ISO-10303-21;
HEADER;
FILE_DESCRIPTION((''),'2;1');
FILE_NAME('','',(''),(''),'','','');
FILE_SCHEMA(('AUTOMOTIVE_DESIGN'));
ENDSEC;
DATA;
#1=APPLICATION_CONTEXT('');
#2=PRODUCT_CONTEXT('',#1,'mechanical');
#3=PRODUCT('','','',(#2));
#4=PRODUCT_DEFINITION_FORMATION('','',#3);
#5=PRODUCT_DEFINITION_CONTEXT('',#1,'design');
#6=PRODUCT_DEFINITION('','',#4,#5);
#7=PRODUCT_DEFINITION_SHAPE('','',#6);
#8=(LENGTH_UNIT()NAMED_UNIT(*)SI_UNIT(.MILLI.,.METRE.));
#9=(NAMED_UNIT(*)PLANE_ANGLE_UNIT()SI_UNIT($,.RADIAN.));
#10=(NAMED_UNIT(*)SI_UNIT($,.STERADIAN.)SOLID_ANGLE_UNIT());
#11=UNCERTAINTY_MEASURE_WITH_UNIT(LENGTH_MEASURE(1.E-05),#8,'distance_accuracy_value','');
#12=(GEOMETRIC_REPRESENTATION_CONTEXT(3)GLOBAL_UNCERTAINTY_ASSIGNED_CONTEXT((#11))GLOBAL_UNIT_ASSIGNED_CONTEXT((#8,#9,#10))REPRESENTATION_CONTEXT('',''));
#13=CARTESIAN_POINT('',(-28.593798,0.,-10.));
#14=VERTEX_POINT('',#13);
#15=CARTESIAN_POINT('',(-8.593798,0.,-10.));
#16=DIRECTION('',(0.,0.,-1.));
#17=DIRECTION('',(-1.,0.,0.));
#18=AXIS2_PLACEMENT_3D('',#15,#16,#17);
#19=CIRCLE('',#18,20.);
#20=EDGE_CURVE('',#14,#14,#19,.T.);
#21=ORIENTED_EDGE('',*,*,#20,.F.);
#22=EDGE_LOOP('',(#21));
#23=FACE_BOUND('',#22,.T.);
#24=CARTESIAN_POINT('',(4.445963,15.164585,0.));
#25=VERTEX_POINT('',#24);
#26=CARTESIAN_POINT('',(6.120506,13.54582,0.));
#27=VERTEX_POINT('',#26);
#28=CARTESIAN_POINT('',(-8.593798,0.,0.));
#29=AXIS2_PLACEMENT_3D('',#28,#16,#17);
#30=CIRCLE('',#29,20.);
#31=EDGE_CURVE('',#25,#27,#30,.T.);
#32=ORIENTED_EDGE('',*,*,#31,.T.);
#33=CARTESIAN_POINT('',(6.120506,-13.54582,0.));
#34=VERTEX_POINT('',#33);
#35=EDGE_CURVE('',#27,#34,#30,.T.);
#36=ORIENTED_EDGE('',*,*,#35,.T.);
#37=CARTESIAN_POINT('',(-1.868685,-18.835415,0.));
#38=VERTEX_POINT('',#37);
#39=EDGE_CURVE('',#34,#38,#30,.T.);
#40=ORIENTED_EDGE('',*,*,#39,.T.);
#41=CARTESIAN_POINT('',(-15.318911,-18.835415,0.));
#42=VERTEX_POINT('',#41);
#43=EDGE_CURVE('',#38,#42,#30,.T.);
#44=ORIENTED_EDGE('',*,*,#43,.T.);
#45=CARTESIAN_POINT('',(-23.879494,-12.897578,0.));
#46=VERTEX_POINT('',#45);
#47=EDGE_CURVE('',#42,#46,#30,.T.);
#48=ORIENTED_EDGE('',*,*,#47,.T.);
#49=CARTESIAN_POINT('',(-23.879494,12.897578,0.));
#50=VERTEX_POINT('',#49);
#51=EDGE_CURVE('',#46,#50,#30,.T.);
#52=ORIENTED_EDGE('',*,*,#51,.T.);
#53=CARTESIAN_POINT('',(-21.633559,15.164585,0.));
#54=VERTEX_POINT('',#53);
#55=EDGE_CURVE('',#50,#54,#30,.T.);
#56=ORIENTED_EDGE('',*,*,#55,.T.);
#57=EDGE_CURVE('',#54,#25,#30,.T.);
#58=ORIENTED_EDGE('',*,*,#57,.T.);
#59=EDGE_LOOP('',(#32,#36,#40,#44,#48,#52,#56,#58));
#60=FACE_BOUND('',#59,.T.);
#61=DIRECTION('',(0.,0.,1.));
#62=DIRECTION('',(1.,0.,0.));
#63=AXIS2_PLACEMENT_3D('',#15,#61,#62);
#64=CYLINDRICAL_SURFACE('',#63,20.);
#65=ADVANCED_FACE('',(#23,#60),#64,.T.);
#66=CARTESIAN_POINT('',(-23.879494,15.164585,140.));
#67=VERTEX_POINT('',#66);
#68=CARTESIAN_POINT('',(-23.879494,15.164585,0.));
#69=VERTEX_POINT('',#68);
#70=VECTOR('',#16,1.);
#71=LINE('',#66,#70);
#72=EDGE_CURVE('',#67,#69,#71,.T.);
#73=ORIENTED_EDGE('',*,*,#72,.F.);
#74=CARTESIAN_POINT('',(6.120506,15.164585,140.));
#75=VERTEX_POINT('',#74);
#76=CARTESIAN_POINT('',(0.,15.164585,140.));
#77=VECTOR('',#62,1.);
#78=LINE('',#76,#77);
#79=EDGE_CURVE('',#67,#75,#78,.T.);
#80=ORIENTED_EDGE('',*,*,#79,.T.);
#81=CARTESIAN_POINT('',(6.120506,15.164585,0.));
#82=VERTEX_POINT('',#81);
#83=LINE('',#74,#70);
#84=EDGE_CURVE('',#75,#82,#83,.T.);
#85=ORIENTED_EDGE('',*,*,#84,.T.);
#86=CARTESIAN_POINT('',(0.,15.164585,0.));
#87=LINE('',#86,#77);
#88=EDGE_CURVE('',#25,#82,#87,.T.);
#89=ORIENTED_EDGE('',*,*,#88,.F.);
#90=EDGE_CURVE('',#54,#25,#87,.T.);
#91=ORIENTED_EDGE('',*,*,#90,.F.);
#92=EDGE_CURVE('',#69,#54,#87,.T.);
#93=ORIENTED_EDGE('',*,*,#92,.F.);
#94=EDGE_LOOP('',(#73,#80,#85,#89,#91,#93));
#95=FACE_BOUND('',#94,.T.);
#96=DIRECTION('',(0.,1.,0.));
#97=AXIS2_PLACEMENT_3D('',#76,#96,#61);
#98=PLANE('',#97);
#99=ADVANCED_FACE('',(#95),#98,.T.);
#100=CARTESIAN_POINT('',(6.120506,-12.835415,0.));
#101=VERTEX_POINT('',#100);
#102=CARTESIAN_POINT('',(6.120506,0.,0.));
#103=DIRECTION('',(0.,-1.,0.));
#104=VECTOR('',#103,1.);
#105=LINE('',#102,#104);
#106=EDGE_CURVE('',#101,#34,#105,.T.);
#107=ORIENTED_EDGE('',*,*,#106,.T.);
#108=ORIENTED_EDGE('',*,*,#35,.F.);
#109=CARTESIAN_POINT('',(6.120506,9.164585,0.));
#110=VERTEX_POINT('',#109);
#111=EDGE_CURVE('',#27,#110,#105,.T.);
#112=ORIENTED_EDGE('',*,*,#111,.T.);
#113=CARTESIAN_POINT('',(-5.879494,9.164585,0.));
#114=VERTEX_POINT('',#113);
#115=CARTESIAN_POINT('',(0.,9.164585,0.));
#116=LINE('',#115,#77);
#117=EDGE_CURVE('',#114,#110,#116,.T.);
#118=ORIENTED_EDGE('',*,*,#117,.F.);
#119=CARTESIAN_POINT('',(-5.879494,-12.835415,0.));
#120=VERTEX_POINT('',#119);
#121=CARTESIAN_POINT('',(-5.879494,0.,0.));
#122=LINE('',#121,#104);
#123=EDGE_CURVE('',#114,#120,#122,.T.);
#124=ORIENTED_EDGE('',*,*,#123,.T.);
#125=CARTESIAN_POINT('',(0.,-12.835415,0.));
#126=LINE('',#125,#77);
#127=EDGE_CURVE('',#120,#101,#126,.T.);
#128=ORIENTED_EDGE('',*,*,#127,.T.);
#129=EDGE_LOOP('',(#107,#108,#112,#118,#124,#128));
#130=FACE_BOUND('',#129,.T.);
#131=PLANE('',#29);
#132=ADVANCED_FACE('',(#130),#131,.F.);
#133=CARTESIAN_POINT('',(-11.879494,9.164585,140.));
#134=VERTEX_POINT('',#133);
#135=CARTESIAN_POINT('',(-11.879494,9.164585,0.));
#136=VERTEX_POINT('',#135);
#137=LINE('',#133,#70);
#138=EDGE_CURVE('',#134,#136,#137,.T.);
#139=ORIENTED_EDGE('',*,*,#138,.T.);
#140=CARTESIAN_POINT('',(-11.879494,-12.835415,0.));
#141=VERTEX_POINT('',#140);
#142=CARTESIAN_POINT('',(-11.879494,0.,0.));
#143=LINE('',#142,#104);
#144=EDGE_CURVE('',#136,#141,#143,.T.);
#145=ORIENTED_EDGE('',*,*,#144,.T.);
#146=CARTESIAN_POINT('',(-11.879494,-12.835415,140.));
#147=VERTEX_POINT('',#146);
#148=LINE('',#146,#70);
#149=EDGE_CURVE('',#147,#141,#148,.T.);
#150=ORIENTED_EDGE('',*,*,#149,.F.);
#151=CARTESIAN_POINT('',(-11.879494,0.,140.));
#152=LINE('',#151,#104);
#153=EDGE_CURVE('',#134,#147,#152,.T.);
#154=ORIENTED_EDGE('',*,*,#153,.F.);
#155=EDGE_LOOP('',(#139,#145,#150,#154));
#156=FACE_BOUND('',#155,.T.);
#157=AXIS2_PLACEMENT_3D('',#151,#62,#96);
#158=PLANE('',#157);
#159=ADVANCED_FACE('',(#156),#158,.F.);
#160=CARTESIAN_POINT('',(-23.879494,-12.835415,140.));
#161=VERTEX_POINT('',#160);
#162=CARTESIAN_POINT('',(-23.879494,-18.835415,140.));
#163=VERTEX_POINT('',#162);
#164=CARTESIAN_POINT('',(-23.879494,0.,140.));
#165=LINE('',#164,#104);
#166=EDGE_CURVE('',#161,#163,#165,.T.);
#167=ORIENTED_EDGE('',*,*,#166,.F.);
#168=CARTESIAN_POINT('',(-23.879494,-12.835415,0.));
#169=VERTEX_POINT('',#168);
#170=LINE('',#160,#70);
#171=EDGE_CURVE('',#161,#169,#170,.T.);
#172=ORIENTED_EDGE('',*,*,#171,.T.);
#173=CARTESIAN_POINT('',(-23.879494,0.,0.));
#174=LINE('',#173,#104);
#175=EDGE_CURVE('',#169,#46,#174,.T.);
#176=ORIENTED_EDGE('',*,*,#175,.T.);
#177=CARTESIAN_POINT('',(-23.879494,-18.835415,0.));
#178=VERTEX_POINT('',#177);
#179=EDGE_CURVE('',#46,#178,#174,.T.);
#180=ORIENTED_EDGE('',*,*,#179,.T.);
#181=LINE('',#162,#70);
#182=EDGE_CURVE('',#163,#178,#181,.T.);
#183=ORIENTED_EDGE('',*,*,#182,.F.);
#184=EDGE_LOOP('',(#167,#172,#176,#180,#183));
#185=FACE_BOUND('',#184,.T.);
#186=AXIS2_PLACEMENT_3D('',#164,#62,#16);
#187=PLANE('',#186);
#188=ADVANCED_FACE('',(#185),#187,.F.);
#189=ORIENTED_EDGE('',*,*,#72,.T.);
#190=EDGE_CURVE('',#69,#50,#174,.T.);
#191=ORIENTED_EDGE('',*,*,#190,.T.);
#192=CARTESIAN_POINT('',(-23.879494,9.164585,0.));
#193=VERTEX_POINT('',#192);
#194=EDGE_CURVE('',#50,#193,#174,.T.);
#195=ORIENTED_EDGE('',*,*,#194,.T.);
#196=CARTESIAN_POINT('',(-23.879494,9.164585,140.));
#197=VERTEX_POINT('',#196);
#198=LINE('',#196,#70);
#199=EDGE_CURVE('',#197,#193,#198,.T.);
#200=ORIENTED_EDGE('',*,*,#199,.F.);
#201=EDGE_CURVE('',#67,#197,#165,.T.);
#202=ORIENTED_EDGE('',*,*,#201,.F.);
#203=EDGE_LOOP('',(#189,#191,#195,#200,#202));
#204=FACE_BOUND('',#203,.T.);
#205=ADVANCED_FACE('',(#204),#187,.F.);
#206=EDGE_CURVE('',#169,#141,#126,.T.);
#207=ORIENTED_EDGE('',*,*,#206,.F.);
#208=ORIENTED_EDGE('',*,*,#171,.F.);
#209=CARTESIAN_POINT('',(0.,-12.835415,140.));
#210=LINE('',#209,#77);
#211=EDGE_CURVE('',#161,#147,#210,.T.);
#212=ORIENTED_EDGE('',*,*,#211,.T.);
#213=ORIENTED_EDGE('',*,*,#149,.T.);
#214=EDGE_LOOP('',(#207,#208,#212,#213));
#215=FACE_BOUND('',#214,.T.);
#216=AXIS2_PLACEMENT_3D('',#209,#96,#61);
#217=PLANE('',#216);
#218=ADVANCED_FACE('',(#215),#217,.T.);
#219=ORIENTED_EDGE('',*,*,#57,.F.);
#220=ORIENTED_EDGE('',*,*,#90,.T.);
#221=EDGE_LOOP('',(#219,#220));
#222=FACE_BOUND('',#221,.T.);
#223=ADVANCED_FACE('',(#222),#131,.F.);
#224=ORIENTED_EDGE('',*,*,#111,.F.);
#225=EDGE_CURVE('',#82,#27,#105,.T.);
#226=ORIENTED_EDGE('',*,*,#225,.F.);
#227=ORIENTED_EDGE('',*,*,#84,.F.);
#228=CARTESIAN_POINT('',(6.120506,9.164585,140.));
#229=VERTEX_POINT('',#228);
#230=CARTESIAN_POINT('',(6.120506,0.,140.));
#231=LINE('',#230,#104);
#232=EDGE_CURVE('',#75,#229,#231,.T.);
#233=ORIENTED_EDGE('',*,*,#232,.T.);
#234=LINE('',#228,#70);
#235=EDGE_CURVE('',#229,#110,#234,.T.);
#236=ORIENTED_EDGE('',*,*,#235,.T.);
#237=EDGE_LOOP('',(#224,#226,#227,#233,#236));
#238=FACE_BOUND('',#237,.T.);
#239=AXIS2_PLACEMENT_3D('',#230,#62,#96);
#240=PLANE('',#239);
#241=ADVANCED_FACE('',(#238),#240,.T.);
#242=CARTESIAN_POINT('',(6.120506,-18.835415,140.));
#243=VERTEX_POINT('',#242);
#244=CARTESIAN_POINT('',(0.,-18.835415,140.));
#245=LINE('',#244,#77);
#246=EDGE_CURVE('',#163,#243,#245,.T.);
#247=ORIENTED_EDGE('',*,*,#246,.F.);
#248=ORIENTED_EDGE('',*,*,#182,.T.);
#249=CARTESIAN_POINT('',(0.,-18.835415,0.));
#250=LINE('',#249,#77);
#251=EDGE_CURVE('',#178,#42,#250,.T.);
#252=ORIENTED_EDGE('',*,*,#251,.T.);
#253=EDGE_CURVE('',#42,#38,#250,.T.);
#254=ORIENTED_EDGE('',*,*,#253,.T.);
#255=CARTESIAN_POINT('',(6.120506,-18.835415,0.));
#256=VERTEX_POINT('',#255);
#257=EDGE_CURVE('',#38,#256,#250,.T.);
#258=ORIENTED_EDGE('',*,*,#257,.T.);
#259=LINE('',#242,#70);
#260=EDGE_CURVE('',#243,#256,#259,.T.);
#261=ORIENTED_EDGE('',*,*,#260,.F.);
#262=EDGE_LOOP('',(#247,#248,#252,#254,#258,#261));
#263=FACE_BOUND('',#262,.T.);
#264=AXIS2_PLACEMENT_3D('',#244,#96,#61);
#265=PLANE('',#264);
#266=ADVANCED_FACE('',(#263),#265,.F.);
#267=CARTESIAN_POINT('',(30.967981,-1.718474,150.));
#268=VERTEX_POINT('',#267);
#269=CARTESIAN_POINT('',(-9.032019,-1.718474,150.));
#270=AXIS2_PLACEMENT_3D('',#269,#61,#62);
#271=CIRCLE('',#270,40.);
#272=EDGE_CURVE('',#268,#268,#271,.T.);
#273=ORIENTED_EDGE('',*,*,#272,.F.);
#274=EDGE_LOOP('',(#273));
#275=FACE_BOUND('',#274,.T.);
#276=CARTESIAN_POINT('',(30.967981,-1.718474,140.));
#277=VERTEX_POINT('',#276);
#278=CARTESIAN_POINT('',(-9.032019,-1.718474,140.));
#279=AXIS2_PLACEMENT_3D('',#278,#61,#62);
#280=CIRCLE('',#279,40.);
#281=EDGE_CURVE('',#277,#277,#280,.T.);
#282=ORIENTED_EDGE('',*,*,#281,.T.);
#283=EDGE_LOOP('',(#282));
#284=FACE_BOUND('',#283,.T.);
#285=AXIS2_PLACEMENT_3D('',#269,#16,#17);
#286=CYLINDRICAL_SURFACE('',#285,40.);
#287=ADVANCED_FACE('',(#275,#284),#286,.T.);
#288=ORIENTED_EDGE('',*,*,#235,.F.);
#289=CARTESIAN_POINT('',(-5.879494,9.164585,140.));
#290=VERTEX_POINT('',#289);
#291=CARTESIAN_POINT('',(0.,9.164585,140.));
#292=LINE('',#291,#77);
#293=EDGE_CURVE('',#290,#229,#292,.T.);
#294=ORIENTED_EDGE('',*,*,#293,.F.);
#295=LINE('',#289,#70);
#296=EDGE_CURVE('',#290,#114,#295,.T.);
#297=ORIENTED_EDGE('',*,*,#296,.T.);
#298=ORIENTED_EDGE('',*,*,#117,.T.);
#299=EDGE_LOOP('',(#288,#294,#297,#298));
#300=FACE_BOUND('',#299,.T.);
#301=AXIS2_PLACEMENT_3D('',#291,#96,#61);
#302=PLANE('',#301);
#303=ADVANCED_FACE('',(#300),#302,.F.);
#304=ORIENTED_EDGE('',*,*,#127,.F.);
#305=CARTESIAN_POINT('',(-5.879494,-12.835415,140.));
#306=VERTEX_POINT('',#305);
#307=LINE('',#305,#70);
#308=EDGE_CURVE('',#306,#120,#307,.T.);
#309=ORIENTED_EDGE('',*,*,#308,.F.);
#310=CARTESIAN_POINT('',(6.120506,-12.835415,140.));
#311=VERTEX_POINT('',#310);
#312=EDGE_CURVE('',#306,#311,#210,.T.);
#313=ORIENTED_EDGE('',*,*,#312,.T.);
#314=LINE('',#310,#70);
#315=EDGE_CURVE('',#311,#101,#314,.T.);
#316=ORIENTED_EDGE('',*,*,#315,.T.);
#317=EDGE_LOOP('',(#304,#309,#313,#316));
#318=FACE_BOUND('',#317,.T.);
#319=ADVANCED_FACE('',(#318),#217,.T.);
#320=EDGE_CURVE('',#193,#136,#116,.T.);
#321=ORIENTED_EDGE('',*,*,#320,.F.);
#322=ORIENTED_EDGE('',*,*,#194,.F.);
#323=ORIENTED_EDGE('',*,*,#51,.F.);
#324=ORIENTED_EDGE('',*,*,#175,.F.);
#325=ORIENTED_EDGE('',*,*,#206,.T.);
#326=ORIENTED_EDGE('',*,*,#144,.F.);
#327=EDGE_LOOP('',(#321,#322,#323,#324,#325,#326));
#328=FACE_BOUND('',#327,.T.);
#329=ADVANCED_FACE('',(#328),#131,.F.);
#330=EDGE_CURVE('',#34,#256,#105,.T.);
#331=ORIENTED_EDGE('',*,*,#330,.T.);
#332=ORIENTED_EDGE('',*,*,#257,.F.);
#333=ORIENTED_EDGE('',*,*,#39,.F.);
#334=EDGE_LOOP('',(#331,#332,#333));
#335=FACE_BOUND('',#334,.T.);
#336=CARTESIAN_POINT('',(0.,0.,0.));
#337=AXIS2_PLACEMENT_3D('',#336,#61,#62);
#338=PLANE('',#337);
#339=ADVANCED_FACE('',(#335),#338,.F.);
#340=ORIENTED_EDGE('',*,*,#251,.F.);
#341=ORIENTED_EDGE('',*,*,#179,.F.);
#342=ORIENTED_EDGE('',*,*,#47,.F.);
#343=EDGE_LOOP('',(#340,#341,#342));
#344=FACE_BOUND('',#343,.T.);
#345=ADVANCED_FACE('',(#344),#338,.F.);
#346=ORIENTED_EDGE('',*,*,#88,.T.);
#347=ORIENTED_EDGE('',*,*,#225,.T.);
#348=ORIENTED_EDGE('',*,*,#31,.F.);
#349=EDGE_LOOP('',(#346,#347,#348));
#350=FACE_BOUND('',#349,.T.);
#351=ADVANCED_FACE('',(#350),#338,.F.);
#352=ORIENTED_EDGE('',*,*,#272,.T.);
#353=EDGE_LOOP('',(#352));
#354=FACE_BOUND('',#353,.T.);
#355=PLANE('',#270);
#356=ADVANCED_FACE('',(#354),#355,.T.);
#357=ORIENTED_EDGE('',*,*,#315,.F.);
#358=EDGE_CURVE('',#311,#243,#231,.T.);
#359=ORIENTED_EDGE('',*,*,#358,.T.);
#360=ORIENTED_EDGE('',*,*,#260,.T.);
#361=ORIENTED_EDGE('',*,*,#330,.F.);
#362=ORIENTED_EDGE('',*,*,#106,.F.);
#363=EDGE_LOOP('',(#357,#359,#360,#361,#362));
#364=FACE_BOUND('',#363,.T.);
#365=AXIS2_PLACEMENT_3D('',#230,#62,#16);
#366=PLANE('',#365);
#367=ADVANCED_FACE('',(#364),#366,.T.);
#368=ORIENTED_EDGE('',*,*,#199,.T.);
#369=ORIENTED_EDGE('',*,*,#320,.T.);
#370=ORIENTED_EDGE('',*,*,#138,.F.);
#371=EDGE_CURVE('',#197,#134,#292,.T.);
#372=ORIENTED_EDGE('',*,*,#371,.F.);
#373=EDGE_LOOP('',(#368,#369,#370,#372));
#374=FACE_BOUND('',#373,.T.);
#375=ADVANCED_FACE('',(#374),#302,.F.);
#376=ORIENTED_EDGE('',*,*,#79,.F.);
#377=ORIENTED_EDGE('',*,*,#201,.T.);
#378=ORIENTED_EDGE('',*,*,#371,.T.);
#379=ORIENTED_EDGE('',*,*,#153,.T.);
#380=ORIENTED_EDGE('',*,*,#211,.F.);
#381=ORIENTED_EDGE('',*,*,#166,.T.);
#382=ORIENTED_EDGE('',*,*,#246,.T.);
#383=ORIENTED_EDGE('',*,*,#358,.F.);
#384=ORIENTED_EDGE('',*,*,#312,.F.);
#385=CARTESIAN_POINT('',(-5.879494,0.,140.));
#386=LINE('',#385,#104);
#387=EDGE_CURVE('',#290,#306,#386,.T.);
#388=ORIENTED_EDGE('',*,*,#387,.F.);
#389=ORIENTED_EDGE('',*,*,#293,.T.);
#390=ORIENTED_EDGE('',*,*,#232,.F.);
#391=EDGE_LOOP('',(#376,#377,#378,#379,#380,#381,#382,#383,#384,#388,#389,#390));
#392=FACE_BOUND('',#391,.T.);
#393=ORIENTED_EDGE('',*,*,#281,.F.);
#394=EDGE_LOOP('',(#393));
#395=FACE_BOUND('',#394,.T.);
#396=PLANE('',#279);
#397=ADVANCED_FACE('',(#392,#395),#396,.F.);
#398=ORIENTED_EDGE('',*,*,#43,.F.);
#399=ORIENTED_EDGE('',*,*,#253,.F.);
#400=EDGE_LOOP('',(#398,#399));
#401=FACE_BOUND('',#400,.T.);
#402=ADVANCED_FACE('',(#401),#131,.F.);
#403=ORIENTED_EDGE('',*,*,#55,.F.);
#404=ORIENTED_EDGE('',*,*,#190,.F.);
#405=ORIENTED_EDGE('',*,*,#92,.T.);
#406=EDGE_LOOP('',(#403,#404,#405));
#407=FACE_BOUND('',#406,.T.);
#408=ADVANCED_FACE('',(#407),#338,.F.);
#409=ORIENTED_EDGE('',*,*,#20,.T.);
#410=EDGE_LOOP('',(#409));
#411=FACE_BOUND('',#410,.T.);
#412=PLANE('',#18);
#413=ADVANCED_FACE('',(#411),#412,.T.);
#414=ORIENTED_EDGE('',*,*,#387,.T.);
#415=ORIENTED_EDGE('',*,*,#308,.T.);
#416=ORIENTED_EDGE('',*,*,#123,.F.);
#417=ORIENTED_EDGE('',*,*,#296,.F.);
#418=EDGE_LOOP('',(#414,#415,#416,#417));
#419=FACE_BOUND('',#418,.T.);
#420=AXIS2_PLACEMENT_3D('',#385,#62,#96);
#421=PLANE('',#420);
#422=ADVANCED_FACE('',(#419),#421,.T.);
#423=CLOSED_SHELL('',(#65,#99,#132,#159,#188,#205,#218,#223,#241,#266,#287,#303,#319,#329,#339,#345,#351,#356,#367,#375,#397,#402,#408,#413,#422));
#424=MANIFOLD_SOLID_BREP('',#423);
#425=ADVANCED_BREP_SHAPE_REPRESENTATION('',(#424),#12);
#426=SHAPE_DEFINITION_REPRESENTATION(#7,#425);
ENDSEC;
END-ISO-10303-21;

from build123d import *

# Parameters (mm, degrees)
SKETCH4_W           = 30
SKETCH4_H           = 6
SKETCH4_W_2         = 6
SKETCH4_H_2         = 22
BOSS_EXTRUDE1_DEPTH = 140
SKETCH6_R           = 20
BOSS_EXTRUDE2_DEPTH = 10
SKETCH7_R           = 40
BOSS_EXTRUDE3_DEPTH = 10


with BuildPart() as part:
    # Sketch4 → Boss-Extrude1 (new body)
    with BuildSketch(Plane(origin=(1.761790339, -4.428283824, 0), x_dir=(1, 0, 0), z_dir=(0, 0, 1))):
        with Locations((-10.641284089, 16.5928688)):
            Rectangle(SKETCH4_W, SKETCH4_H)
        with Locations((-10.641284089, 2.5928688)):
            Rectangle(SKETCH4_W_2, SKETCH4_H_2)
        with Locations((-10.641284089, -11.4071312)):
            Rectangle(SKETCH4_W, SKETCH4_H)
    extrude(amount=BOSS_EXTRUDE1_DEPTH)

    # Sketch6 → Boss-Extrude2 (add)
    with BuildSketch(Plane(origin=(0, 0, 0), x_dir=(-1, 0, 0), z_dir=(0, 0, -1))):
        with Locations(Location((8.59379802, 0, 0), (0, 0, 137.367685303))):
            Circle(SKETCH6_R)
    extrude(amount=BOSS_EXTRUDE2_DEPTH)

    # Sketch7 → Boss-Extrude3 (add)
    with BuildSketch(Plane.XY.offset(140)):
        with Locations((-9.032018986, -1.718473877)):
            Circle(SKETCH7_R)
    extrude(amount=BOSS_EXTRUDE3_DEPTH)


solid = part.part
